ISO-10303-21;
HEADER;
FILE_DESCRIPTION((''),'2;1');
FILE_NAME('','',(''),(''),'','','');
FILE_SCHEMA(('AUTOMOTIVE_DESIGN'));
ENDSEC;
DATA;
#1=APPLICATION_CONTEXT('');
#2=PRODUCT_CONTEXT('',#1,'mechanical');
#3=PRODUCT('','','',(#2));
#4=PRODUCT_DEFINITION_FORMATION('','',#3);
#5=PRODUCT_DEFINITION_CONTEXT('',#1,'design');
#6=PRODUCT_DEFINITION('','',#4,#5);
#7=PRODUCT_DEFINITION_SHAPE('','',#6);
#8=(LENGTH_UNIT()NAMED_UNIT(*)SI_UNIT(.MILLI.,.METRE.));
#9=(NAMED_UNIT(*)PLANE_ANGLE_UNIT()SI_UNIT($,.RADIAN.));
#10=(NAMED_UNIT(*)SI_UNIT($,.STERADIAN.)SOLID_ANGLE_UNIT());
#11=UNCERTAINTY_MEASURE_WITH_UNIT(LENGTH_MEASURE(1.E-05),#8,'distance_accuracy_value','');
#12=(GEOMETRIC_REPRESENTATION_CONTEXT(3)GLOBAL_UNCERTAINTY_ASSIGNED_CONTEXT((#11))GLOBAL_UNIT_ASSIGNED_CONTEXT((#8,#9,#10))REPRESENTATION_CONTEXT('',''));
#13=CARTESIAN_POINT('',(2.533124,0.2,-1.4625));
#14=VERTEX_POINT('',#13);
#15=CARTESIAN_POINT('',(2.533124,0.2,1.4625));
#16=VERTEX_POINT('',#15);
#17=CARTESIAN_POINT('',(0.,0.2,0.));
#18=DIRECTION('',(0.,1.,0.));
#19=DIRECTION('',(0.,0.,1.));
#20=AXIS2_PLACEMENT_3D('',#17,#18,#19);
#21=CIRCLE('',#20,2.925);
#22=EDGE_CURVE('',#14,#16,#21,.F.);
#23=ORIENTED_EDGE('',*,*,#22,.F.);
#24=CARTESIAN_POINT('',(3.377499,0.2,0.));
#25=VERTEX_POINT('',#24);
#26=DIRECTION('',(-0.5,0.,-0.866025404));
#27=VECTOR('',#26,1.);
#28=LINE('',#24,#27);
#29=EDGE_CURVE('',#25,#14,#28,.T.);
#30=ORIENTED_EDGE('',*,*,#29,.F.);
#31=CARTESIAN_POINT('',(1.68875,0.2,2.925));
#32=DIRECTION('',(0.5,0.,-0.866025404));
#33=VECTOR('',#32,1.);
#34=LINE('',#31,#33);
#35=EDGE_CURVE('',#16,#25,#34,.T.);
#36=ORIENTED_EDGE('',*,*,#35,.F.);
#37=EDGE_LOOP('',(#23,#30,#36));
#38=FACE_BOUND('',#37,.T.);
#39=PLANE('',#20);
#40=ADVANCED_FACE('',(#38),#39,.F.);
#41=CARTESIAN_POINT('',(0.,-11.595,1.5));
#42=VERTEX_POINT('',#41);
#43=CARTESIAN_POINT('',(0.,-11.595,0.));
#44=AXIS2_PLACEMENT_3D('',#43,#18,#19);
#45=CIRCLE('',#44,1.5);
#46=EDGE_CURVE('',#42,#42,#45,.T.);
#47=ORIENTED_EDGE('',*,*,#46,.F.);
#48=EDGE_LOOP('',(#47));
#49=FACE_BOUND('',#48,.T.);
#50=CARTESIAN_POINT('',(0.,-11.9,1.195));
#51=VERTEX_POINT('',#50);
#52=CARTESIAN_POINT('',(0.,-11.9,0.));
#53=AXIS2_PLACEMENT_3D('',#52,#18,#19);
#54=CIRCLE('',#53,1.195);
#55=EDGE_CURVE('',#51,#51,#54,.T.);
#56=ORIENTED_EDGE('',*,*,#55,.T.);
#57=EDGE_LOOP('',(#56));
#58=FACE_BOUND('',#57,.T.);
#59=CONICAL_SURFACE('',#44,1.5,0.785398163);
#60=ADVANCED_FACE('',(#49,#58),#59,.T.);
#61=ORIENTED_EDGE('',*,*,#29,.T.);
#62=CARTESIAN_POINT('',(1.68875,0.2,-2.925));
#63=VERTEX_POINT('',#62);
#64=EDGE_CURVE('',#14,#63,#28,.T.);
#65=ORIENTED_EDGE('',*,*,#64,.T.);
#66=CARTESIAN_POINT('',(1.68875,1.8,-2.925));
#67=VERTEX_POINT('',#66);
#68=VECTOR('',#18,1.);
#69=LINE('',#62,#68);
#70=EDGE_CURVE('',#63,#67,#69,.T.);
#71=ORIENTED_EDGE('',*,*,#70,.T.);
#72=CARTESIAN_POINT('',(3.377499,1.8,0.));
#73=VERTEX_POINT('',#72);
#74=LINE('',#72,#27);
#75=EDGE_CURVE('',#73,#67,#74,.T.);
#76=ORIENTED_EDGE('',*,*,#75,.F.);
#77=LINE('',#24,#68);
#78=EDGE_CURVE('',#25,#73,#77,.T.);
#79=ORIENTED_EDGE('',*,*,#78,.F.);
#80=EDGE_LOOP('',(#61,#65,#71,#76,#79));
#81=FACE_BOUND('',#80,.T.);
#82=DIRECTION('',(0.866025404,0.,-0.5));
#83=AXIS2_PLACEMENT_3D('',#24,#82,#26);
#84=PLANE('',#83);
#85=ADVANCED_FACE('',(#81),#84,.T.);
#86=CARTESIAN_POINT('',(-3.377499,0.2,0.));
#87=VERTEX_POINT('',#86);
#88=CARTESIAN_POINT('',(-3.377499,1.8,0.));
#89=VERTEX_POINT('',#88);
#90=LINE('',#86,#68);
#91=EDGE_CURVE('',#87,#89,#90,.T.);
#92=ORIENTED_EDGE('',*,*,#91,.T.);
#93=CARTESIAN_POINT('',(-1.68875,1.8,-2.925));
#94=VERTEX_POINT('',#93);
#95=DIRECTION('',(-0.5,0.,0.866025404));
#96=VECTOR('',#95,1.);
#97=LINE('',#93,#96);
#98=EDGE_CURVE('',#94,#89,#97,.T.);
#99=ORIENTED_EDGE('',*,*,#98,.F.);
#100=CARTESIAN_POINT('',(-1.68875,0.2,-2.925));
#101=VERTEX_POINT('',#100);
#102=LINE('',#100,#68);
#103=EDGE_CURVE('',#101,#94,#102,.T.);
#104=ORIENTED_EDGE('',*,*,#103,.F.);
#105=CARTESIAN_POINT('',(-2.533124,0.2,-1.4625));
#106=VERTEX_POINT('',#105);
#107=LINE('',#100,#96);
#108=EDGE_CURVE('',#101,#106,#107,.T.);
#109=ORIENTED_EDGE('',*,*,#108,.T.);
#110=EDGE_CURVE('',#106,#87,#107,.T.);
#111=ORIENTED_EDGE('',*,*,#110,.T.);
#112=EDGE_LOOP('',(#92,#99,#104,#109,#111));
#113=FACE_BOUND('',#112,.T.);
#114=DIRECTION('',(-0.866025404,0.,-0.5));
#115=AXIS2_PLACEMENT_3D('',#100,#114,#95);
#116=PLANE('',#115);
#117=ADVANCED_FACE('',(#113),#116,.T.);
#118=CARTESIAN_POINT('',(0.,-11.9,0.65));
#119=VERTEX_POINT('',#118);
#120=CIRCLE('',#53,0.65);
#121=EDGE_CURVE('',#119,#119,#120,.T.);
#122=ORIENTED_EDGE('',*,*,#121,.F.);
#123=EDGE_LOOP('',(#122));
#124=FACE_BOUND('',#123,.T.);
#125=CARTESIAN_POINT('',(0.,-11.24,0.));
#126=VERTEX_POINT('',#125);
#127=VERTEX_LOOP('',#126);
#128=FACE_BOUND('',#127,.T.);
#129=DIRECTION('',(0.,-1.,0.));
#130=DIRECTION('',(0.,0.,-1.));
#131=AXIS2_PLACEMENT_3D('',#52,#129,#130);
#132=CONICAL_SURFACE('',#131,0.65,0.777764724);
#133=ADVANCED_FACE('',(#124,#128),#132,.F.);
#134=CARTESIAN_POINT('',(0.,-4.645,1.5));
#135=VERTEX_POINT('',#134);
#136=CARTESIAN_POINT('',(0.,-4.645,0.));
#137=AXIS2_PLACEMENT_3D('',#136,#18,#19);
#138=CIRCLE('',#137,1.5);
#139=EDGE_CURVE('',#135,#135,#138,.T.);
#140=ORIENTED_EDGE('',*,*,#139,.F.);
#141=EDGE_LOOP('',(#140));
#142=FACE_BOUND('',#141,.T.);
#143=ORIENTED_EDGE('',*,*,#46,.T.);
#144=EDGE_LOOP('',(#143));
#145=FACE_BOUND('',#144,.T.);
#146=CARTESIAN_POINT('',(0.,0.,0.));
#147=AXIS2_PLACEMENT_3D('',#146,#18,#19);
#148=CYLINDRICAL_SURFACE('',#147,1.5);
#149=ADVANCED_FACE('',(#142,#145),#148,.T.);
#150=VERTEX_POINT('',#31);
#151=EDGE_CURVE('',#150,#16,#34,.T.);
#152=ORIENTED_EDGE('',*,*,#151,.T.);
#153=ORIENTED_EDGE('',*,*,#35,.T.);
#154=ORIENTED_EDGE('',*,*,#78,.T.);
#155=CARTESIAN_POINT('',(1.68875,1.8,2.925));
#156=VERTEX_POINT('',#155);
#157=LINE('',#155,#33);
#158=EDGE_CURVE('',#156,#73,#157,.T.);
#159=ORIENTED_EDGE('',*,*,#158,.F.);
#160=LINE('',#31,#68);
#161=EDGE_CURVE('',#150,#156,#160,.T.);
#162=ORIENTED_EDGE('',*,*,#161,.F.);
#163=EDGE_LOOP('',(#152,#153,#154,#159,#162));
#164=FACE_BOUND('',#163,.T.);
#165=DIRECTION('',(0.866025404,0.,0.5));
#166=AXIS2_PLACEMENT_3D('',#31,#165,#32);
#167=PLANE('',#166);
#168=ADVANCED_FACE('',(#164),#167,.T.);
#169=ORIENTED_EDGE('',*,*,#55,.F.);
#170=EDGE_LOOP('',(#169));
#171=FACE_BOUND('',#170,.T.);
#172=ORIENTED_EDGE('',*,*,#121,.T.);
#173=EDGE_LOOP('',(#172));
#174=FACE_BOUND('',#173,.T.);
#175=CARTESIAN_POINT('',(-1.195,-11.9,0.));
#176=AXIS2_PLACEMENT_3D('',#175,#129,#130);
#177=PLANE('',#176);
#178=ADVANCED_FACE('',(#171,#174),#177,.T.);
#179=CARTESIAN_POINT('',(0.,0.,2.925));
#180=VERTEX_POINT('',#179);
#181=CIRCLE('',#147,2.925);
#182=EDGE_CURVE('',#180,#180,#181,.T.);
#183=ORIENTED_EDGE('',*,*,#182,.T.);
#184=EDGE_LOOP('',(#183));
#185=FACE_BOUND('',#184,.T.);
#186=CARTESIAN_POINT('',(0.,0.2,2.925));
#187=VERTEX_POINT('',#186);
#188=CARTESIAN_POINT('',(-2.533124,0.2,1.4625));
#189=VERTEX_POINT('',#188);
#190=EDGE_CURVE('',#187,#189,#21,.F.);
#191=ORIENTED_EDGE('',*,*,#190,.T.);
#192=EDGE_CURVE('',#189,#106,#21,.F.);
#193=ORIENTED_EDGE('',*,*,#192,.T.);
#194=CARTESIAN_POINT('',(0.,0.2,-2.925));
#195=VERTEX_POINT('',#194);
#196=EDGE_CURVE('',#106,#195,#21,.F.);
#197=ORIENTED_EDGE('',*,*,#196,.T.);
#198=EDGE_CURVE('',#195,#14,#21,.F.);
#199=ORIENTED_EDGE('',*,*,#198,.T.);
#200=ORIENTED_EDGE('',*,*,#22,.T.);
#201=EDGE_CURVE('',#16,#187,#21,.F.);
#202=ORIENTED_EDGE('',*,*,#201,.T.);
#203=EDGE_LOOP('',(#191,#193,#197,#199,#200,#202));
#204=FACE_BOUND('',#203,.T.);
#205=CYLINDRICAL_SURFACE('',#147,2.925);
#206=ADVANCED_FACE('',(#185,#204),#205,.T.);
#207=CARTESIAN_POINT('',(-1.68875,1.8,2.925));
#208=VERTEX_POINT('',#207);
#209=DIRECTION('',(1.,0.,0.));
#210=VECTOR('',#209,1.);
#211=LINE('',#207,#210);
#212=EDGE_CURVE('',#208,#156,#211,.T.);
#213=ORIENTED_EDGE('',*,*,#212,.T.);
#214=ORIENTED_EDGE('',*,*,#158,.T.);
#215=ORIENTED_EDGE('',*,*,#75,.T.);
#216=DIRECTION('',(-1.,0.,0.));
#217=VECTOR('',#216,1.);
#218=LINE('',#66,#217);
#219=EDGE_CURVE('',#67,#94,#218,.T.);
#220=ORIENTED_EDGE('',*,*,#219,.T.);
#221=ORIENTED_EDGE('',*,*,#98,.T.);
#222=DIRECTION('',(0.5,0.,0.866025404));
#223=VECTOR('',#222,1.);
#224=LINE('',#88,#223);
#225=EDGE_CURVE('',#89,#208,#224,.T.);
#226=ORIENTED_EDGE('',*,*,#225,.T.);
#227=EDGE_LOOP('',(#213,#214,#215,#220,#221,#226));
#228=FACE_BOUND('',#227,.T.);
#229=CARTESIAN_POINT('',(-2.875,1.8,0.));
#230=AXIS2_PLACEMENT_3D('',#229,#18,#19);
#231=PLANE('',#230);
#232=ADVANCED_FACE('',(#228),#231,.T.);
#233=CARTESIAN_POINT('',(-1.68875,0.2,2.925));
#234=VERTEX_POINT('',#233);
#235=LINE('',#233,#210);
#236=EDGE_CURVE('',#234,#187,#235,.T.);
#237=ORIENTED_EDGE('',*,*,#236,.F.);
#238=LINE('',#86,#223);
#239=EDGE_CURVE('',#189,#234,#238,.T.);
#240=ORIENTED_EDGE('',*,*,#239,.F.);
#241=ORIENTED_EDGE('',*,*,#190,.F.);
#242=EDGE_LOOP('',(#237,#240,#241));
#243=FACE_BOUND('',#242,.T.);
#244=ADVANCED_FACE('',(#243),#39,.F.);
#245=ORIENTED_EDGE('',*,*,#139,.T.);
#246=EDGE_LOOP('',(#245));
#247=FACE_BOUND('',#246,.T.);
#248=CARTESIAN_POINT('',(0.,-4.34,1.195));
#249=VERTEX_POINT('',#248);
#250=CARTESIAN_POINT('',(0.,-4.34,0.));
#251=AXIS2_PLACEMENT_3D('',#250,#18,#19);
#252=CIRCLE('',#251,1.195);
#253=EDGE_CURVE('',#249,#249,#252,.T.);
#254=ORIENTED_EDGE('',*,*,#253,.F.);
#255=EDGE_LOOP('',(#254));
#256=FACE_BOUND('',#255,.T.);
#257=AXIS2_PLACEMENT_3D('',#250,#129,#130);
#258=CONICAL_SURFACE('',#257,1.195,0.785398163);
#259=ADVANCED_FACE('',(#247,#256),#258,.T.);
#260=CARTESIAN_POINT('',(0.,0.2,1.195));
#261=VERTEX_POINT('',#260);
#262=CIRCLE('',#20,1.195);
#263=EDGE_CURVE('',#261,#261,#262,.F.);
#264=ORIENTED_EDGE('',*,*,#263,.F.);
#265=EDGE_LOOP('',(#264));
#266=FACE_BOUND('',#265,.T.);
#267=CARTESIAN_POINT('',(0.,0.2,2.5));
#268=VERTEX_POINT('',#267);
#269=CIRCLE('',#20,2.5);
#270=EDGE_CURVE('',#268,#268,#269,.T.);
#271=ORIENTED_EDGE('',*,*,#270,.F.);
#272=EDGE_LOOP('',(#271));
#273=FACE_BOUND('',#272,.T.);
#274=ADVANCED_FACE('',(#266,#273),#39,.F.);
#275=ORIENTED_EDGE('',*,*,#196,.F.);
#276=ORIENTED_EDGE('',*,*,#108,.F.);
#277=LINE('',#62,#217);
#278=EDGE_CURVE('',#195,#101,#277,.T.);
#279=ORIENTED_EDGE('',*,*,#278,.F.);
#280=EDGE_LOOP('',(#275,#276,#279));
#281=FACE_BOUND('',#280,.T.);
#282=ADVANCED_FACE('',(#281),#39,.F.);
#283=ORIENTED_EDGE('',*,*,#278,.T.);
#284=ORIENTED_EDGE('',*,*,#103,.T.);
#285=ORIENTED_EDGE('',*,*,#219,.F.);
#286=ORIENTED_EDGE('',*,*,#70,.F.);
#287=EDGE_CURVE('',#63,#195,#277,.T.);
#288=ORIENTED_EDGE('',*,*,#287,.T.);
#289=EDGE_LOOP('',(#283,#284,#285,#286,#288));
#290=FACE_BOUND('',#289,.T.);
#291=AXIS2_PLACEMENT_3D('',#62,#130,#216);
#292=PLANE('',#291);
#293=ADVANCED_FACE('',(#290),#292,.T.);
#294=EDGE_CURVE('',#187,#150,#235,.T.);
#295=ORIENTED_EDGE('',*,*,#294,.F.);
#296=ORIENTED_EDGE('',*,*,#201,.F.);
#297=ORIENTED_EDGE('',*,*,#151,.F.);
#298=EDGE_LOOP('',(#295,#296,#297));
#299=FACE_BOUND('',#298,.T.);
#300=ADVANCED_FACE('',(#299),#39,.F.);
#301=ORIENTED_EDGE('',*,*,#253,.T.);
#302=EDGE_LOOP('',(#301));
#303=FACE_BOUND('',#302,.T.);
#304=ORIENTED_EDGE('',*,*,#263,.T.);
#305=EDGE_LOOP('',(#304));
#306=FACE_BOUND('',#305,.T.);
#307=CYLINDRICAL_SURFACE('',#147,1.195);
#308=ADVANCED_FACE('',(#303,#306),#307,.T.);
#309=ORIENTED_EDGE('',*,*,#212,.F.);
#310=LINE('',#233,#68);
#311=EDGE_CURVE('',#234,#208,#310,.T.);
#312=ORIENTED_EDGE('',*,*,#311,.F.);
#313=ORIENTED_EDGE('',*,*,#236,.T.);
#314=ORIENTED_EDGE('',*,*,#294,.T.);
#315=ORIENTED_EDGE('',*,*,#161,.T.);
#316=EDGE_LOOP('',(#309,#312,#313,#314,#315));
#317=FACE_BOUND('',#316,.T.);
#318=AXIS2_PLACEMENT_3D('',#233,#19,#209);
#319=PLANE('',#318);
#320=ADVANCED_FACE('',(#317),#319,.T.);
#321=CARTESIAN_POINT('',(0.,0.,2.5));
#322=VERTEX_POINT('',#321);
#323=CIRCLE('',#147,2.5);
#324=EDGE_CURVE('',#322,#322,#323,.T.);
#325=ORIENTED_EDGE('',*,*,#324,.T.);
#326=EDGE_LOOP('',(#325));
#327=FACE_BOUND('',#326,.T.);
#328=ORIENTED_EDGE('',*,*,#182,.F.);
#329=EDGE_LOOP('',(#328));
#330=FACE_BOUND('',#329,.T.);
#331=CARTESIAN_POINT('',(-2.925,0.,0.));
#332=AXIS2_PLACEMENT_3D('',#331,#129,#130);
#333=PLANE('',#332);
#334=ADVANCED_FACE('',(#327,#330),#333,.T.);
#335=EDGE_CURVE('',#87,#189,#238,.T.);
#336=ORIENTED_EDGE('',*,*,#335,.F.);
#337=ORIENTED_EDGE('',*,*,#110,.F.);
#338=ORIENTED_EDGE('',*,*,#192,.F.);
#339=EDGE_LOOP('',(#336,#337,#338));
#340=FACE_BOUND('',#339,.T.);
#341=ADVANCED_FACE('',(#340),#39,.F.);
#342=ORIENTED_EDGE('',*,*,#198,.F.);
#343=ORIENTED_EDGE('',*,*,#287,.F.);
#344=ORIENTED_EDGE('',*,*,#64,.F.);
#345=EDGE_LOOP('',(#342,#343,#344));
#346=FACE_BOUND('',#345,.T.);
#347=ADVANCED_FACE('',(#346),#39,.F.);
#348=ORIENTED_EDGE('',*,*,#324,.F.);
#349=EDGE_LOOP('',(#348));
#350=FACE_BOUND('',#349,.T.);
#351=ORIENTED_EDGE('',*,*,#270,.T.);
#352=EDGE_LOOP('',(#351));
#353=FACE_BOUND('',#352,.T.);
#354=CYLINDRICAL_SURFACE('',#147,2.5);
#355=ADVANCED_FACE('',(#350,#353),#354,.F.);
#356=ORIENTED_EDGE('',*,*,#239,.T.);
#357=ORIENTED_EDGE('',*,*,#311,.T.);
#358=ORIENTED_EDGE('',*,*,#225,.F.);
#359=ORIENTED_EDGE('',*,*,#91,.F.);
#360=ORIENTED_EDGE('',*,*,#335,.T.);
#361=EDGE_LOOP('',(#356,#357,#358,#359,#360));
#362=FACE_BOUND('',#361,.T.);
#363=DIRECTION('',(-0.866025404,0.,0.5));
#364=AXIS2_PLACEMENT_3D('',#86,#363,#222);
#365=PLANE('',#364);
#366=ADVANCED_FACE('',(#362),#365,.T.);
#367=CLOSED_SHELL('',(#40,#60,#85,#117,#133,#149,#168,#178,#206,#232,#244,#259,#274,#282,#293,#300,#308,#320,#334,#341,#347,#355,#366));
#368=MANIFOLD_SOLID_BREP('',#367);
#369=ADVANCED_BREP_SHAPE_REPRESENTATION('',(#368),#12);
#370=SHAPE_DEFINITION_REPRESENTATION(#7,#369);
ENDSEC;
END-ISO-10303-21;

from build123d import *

# Parameters (mm, degrees)
BOSS_EXTRUDE1_DEPTH = 1.6


with BuildPart() as part:
    # Эскиз1 → Повернуть1 (revolve)
    with BuildSketch(Plane.XY):
        Polygon((-2.875, 1.8), (0, 1.8), (0, -11.24), (-0.65, -11.9), (-1.195, -11.9), (-1.5, -11.595), (-1.5, -4.645), (-1.195, -4.34), (-1.195, 1), (-2.5, 1), (-2.5, 0), (-2.925, 0), (-2.925, 1.75), align=None)
    revolve(axis=Axis((0, 0, 0), (0, -1, 0)))

    # Sketch1 → Boss-Extrude1 (add)
    with BuildSketch(Plane(origin=(0, 1.8, 0), x_dir=(1, 0, 0), z_dir=(0, 1, 0))):
        Polygon((1.688749537, 2.925), (-1.688749537, 2.925), (-3.377499075, 0), (-1.688749537, -2.925), (1.688749537, -2.925), (3.377499075, 0), align=None)
    extrude(amount=-BOSS_EXTRUDE1_DEPTH)


solid = part.part
